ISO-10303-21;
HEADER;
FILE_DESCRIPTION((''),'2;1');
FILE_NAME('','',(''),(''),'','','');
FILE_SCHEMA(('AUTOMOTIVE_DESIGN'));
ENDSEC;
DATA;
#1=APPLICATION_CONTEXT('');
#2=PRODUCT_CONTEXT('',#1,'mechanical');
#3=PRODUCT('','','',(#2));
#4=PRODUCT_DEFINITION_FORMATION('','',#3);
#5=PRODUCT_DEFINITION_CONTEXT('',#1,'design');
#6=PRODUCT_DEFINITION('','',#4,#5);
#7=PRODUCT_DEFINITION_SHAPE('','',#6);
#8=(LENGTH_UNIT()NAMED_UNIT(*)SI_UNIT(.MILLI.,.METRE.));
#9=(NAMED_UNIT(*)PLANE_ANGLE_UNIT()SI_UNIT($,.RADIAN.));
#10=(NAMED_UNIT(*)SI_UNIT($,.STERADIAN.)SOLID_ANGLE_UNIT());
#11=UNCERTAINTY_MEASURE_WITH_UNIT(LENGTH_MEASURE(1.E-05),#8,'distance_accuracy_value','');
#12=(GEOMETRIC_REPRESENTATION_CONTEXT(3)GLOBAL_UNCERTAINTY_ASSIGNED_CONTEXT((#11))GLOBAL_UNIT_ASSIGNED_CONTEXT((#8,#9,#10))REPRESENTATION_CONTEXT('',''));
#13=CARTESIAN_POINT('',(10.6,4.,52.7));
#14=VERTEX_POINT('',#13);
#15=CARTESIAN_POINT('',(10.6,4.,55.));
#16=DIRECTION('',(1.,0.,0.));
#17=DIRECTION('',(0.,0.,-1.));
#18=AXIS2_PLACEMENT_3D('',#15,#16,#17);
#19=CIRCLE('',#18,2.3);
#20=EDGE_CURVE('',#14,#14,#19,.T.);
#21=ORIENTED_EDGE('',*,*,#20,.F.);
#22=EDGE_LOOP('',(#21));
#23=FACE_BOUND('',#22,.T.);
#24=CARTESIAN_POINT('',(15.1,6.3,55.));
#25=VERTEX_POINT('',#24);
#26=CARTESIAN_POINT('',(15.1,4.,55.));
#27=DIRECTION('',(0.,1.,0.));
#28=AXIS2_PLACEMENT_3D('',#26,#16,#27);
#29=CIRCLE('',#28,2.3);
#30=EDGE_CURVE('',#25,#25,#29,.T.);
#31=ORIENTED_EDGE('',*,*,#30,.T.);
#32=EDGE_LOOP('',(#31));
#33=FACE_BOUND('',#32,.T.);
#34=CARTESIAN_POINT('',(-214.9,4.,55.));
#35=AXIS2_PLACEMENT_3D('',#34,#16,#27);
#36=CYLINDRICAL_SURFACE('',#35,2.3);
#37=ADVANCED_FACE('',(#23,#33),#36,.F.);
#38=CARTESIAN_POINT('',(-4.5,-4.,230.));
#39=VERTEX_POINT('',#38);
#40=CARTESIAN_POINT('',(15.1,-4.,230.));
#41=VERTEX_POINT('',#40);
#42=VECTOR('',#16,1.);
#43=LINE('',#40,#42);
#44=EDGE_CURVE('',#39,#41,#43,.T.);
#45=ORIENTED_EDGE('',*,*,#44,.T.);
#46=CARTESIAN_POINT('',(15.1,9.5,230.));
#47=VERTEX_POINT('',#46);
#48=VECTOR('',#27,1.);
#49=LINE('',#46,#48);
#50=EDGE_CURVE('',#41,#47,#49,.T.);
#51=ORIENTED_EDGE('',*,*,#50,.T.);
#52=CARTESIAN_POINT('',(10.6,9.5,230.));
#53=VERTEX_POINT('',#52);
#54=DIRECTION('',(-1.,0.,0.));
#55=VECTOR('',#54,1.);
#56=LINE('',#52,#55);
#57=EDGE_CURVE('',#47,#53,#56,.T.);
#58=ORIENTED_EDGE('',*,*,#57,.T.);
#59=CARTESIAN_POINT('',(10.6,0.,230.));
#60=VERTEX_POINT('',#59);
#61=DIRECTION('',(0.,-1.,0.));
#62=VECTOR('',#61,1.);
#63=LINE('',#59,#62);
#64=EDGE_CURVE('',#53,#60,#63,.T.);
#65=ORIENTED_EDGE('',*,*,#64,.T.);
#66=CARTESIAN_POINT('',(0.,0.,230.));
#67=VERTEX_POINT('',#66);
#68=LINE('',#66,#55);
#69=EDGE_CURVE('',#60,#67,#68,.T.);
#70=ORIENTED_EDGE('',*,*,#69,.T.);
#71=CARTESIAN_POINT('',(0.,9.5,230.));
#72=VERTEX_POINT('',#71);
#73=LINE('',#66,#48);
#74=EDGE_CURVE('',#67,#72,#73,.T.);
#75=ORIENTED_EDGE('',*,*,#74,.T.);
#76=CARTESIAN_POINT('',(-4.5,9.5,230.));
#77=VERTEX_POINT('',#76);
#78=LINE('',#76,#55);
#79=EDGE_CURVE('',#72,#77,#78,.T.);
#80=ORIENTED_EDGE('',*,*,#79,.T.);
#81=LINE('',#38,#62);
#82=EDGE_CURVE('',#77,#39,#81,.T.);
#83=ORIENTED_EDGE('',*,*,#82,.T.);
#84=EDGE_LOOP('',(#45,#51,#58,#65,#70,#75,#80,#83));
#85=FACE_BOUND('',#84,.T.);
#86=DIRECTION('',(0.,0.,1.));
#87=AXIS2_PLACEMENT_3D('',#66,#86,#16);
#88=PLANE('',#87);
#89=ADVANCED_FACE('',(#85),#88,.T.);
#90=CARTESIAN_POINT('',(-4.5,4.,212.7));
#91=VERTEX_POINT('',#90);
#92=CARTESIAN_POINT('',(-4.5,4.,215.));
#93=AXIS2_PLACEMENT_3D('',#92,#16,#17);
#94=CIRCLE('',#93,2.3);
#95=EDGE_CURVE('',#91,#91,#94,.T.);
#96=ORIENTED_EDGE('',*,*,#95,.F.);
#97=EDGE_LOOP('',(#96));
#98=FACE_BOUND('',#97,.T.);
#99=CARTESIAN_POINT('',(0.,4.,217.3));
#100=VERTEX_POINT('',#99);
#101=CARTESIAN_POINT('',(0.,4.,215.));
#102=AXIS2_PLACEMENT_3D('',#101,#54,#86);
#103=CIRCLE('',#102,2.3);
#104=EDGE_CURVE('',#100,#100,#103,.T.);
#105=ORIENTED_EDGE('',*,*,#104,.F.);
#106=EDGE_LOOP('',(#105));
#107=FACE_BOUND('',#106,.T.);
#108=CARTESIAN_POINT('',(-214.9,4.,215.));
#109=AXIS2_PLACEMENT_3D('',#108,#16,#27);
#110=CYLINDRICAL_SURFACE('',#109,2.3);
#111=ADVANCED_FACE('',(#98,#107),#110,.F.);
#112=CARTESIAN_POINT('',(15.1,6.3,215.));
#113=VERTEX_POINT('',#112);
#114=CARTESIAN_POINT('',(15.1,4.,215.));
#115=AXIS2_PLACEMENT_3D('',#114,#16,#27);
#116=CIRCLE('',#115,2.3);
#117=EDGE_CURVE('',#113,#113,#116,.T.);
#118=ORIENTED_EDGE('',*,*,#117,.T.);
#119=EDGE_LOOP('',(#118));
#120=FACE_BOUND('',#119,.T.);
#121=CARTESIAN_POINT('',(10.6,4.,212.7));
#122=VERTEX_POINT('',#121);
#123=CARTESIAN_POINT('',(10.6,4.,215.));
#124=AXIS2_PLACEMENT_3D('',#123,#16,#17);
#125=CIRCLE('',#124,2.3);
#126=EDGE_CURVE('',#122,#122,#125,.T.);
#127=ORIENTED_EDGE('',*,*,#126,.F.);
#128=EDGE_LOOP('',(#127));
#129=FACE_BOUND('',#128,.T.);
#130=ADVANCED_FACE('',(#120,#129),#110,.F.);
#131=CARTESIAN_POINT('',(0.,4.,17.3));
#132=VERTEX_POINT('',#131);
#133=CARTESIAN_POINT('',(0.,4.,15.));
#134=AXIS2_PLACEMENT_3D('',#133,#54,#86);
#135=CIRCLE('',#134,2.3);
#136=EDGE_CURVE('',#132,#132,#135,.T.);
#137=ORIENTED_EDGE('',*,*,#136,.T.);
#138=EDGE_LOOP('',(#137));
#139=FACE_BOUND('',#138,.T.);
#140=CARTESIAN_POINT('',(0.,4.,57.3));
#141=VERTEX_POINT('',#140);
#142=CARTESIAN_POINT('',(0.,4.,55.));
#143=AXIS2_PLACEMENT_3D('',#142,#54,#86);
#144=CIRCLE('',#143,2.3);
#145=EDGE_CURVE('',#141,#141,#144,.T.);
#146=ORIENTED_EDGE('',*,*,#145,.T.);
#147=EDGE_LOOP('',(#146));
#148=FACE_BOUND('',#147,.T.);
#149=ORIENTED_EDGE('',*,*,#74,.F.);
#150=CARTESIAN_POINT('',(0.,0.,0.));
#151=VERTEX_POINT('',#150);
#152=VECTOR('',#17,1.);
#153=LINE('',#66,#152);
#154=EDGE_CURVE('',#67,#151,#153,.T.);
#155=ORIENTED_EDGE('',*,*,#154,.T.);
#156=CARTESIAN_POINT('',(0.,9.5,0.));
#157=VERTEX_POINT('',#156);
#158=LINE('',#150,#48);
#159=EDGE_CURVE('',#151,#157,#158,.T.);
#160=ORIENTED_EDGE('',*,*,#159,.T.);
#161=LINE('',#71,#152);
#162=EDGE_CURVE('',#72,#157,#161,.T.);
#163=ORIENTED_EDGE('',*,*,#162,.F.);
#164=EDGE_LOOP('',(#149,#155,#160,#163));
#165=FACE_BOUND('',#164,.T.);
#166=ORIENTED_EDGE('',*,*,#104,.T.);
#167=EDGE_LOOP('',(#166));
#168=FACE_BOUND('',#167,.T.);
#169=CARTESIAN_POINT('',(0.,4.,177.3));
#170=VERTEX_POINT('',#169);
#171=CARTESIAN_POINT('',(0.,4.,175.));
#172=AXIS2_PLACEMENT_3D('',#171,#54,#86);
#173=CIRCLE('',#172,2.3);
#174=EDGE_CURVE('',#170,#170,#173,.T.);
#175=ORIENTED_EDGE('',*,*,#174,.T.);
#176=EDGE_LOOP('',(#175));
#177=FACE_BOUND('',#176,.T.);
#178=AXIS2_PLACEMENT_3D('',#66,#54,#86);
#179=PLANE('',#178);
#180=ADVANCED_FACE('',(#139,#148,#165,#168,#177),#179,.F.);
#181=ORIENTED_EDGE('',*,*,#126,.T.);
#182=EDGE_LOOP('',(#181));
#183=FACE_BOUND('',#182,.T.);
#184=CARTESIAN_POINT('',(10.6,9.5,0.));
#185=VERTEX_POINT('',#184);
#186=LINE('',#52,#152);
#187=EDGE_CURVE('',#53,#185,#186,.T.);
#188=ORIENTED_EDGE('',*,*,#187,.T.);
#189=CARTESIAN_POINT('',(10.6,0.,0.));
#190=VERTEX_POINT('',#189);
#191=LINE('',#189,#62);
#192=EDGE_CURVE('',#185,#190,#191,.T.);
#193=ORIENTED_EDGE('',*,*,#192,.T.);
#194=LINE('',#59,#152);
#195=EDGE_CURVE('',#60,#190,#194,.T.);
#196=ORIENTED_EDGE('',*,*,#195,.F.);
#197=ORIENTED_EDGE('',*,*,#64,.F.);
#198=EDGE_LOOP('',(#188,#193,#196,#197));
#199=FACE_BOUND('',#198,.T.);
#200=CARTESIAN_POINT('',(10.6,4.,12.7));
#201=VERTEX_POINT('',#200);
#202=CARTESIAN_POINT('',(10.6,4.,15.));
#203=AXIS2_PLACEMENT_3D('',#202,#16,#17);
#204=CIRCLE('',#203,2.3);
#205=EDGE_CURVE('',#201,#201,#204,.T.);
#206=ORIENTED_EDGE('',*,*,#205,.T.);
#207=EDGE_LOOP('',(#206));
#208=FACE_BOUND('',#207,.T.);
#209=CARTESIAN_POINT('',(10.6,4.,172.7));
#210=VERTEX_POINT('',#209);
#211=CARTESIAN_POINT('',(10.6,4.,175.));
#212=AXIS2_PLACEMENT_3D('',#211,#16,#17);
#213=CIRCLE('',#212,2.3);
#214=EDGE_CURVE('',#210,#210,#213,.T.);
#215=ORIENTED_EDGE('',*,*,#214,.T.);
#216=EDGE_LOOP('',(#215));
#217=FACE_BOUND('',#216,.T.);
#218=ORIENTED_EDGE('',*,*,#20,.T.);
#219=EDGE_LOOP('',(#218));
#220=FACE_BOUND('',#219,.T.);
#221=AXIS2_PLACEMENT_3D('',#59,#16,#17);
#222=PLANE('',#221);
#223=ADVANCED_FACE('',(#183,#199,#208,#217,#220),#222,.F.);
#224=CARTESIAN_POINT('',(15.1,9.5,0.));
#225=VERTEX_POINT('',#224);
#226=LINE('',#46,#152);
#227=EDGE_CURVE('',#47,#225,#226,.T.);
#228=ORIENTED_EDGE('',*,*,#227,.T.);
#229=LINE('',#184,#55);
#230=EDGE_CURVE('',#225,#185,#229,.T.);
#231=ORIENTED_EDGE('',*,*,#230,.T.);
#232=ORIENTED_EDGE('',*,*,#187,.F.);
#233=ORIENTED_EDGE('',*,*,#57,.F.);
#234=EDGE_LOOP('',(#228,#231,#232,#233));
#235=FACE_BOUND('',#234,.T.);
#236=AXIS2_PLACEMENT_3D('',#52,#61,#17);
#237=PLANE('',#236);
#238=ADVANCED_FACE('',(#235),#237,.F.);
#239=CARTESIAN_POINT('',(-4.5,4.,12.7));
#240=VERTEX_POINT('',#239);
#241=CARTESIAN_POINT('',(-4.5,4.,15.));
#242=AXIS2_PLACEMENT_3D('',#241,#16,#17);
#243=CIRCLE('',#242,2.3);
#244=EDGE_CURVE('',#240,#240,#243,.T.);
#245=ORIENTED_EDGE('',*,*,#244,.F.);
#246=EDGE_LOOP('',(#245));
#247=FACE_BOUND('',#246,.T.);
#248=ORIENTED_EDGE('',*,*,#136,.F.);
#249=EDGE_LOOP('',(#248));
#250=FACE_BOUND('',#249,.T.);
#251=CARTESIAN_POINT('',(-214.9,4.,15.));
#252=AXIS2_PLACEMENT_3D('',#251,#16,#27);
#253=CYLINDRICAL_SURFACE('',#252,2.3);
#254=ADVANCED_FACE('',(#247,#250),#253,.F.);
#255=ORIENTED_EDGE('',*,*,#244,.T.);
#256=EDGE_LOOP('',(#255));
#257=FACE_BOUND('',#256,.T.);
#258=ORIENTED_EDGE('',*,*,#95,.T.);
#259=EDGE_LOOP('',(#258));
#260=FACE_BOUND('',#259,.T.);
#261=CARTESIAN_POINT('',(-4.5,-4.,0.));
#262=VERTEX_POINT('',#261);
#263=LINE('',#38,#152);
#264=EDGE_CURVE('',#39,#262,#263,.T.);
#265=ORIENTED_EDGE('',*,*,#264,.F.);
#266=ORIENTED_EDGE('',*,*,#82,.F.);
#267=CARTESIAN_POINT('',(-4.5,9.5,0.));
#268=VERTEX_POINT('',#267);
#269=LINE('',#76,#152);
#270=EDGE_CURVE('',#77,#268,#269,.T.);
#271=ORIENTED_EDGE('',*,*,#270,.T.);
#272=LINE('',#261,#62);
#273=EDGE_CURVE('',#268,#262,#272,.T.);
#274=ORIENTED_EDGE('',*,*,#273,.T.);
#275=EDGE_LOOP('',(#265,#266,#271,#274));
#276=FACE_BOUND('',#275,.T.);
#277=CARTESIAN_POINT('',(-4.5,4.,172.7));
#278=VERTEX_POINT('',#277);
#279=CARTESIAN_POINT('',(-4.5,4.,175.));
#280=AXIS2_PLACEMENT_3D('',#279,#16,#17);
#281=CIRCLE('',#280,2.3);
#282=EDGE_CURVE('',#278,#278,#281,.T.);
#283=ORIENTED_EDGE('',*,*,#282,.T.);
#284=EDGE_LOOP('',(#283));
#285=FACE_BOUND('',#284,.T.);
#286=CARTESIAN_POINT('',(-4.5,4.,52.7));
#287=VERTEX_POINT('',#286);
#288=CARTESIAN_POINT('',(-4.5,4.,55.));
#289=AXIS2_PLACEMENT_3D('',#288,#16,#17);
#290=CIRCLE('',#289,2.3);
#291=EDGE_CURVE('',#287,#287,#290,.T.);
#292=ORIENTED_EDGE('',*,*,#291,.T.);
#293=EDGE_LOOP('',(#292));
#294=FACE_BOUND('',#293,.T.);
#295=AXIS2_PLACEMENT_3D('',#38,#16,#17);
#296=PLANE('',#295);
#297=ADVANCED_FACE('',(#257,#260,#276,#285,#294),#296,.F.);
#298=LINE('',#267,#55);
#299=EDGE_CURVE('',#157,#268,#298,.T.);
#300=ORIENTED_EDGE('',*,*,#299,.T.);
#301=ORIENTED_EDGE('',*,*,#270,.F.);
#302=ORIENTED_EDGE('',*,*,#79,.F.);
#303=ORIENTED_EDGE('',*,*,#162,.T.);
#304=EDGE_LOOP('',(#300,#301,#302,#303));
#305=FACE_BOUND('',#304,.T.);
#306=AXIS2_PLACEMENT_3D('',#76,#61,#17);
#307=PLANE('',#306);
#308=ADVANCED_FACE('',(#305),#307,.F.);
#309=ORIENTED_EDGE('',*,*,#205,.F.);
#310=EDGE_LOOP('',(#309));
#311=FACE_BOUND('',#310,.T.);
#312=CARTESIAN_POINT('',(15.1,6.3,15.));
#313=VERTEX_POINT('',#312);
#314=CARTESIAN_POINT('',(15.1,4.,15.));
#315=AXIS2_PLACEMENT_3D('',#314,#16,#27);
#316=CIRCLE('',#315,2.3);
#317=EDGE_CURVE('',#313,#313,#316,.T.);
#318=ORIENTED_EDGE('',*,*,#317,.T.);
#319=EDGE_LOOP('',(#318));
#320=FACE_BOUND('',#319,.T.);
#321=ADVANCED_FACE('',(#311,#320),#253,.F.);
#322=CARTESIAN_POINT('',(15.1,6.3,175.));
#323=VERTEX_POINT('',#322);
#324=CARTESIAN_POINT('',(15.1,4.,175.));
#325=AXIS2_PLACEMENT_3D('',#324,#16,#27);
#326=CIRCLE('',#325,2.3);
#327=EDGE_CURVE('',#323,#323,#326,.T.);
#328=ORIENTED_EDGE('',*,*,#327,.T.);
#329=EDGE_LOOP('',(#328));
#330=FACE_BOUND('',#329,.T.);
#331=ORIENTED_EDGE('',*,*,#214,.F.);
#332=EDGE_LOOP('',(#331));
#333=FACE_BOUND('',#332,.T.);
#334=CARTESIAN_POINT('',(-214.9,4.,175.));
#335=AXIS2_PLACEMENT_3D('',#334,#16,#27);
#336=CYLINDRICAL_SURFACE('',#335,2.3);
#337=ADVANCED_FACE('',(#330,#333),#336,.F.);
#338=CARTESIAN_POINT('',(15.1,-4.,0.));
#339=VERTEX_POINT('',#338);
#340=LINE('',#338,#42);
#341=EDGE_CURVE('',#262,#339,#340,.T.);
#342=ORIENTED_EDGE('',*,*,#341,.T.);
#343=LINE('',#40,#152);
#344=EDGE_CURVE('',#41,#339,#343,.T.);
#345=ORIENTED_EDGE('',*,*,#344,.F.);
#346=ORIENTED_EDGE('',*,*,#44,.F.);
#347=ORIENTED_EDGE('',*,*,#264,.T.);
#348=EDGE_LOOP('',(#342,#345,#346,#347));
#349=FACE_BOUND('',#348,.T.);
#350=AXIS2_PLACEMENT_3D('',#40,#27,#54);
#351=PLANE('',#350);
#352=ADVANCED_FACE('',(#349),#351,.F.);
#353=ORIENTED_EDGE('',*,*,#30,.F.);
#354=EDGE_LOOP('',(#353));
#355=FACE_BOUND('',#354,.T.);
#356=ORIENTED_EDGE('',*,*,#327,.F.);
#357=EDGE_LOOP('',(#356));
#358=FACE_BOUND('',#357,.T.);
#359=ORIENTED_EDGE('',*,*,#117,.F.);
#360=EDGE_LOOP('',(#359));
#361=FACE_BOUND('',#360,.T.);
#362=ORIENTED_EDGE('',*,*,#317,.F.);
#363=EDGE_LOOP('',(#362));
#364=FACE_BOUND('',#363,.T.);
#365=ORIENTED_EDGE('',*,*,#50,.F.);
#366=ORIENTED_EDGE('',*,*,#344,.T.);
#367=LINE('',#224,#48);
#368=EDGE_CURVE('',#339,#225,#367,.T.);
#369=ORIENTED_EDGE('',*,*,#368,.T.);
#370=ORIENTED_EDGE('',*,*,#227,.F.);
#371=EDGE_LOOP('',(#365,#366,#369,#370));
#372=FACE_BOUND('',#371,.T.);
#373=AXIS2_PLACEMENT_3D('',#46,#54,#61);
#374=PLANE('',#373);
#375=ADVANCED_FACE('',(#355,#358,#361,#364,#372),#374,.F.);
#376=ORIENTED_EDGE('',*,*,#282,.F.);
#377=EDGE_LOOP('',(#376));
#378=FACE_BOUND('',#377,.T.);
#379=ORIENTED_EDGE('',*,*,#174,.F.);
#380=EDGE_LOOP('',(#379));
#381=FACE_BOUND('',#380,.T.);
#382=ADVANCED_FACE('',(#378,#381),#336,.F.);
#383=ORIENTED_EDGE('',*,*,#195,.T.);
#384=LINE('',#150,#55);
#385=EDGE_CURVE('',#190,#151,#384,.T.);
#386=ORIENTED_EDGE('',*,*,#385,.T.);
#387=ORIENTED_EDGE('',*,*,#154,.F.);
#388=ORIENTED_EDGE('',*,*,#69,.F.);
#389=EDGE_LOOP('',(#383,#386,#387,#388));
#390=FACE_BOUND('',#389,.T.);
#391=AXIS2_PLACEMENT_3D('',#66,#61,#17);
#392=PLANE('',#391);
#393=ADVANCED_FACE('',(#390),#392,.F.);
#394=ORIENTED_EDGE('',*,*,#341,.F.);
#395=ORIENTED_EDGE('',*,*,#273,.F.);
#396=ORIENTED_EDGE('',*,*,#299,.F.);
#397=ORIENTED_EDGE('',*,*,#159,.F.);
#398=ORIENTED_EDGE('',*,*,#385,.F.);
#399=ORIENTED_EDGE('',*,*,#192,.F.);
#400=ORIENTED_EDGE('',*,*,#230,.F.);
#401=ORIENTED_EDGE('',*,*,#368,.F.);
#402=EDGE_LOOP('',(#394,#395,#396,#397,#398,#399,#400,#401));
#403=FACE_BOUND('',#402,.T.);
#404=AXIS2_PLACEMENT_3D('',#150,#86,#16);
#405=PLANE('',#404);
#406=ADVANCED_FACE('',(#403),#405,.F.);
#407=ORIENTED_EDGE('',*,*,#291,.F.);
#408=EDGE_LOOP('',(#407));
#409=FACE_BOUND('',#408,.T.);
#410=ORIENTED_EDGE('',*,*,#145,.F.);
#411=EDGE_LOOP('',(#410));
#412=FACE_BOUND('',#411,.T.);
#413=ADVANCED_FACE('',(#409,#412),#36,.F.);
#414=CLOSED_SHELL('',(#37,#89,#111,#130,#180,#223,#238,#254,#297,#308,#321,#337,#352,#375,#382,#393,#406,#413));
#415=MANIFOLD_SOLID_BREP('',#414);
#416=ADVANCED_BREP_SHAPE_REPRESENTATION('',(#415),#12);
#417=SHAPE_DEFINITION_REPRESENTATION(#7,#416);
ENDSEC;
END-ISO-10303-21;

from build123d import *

# Parameters (mm, degrees)
EXTRUDE_1_DEPTH     = 230
SKETCH_2_R          = 2.3
CUT_EXTRUDE_1_DEPTH = 230


with BuildPart() as part:
    # Эскиз1 → Бобышка-Вытянуть1 (new body)
    with BuildSketch(Plane.XY):
        Polygon((0, 0), (0, 9.5), (-4.5, 9.5), (-4.5, -4), (15.1, -4), (15.1, 9.5), (10.6, 9.5), (10.6, 0), align=None)
    extrude(amount=EXTRUDE_1_DEPTH)

    # Эскиз2 → Вырез-Вытянуть1 (cut)
    with BuildSketch(Plane(origin=(15.1, 0, 0), x_dir=(0, 0, -1), z_dir=(1, 0, 0))):
        with Locations(Location((-215, 4, 0), (0, 0, 90))):
            Circle(SKETCH_2_R)
        with Locations(Location((-175, 4, 0), (0, 0, 90))):
            Circle(SKETCH_2_R)
        with Locations(Location((-55, 4, 0), (0, 0, 90))):
            Circle(SKETCH_2_R)
        with Locations(Location((-15, 4, 0), (0, 0, 90))):
            Circle(SKETCH_2_R)
    extrude(amount=-CUT_EXTRUDE_1_DEPTH, mode=Mode.SUBTRACT)


solid = part.part
